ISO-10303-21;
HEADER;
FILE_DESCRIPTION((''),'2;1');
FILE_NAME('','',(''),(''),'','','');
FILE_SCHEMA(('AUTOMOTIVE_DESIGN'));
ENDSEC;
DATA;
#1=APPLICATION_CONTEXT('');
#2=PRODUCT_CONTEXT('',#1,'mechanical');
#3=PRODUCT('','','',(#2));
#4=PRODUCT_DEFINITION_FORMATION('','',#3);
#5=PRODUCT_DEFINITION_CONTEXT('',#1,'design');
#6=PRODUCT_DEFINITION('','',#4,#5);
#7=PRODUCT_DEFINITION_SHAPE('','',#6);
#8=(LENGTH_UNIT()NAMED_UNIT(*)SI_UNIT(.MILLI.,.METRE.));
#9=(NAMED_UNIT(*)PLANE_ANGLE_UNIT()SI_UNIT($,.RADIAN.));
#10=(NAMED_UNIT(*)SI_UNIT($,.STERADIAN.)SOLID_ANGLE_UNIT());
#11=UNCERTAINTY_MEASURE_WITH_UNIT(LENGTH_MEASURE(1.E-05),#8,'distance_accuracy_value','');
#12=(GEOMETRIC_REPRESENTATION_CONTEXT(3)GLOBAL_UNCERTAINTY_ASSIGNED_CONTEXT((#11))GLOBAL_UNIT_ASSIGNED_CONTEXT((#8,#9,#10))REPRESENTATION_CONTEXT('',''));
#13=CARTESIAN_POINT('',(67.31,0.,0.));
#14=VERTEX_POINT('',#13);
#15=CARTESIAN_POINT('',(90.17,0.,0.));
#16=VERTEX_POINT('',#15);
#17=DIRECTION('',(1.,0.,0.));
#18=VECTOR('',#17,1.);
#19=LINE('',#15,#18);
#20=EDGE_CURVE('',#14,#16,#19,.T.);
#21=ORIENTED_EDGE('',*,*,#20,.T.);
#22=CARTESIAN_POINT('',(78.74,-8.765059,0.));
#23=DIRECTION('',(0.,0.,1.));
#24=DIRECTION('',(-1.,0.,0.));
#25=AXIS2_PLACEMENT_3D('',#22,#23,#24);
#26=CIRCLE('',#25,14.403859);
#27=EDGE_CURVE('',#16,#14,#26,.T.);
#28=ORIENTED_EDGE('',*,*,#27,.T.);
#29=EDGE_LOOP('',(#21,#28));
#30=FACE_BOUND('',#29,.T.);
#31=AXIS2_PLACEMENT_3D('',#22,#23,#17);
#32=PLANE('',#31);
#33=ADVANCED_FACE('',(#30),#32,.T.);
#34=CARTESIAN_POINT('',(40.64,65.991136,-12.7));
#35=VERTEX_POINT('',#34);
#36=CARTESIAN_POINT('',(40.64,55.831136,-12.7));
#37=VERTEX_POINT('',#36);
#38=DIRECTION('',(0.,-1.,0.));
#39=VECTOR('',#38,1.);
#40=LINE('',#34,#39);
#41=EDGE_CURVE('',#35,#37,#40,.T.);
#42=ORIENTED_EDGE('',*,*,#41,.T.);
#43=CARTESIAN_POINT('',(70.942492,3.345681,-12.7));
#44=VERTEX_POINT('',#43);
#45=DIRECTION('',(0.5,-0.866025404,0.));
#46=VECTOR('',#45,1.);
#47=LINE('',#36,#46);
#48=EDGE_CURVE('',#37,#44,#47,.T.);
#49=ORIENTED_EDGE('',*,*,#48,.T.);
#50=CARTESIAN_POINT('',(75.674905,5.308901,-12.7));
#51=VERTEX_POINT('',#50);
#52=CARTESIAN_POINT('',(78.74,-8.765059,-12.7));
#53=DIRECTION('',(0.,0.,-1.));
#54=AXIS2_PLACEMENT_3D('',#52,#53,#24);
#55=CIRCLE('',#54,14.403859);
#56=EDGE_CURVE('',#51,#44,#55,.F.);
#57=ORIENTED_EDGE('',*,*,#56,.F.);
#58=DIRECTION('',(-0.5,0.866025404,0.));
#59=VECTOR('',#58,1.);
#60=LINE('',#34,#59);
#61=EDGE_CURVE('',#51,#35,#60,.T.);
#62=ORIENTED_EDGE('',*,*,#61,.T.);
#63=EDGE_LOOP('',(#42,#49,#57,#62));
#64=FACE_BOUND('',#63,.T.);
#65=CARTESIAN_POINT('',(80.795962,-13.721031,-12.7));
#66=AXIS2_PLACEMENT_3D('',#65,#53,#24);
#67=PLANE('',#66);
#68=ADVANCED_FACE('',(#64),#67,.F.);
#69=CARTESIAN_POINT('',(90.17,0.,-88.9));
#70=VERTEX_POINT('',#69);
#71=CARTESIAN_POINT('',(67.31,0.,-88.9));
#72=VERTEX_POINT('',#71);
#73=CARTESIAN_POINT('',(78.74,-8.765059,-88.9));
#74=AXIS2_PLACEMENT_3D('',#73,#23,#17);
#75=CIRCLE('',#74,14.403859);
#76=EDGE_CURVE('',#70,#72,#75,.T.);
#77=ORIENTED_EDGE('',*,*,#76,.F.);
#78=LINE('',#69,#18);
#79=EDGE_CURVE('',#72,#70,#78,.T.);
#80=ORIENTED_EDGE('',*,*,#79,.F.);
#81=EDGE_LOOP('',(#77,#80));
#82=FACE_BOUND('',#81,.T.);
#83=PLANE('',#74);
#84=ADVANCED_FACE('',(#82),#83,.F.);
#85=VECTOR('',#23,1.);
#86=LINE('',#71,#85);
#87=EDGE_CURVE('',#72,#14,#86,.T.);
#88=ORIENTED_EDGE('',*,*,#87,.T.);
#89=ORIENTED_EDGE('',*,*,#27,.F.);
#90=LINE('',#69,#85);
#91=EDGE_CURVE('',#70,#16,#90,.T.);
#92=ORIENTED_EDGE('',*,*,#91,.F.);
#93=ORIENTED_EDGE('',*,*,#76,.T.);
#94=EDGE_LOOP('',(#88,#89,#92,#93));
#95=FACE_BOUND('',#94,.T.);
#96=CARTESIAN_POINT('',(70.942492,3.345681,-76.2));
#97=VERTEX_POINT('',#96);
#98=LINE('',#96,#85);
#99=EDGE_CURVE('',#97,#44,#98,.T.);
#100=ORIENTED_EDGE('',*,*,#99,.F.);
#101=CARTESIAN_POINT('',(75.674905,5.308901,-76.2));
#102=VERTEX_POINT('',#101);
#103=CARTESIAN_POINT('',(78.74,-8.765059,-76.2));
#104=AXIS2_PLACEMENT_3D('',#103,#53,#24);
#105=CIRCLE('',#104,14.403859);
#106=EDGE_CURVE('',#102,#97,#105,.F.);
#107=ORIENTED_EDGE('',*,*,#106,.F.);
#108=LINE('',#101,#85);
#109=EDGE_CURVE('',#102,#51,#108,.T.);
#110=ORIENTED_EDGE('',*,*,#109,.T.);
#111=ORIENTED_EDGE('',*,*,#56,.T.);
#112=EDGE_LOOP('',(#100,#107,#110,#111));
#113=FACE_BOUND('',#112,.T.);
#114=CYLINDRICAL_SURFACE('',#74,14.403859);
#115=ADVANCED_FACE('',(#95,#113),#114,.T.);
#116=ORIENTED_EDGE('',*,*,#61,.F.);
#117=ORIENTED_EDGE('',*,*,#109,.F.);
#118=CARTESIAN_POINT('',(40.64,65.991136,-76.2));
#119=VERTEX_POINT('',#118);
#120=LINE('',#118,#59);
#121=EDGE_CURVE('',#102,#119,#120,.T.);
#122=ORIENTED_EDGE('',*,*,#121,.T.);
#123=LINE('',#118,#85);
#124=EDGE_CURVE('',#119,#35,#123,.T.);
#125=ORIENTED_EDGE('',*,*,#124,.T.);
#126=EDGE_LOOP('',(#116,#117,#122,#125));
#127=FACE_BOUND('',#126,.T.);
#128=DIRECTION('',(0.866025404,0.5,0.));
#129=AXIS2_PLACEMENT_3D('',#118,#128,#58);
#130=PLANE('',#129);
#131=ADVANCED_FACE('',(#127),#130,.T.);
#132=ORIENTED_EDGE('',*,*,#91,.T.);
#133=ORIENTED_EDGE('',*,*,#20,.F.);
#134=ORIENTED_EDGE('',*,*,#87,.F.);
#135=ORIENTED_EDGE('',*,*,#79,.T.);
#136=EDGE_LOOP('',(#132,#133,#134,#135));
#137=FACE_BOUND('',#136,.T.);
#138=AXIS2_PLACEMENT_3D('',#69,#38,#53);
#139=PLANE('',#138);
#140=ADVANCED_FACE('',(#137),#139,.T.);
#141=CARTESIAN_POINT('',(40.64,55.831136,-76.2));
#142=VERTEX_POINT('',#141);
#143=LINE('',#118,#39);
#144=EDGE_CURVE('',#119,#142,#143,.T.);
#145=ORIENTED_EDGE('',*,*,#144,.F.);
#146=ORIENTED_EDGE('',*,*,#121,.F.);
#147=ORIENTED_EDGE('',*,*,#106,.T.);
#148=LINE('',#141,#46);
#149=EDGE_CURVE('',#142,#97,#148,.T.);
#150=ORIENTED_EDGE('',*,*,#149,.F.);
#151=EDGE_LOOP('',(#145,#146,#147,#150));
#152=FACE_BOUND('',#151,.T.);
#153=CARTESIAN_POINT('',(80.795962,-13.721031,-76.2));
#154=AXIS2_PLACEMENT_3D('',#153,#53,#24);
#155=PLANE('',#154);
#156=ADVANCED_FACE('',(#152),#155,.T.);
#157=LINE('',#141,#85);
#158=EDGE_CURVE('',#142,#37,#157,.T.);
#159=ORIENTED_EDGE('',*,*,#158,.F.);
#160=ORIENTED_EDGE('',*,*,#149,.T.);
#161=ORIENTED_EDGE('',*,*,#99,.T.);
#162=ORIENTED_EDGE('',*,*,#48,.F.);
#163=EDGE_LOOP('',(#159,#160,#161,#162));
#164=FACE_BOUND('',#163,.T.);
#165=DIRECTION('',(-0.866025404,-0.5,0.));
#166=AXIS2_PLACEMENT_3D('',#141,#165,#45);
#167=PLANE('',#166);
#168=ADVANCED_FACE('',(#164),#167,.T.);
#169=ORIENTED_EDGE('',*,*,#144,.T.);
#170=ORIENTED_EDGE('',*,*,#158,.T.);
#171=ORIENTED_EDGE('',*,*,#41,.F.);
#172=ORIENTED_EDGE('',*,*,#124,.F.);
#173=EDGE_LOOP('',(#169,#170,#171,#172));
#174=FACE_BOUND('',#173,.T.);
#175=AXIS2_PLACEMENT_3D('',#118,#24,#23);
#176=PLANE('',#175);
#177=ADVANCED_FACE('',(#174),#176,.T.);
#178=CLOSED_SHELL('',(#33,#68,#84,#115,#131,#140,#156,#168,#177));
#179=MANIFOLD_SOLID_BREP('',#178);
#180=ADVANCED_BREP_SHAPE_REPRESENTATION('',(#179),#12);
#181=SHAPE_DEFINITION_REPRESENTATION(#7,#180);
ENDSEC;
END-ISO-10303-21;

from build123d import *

# Parameters (mm, degrees)
BOSS_EXTRUDE1_DEPTH      = 88.9
BOSS_EXTRUDE2_DEPTH      = 31.75
BOSS_EXTRUDE2_DEPTH_BACK = 31.75


with BuildPart() as part:
    # Sketch2 → Boss-Extrude1 (new body)
    with BuildSketch(Plane.XY):
        with BuildLine():
            Line((90.17, 0), (67.31, 0))
            ThreePointArc((67.31, 0), (72.367383476, 4.152406467), (78.74, 5.6388))
            ThreePointArc((78.74, 5.6388), (85.112616524, 4.152406467), (90.17, 0))
        make_face()
    extrude(amount=-BOSS_EXTRUDE1_DEPTH)

    # Sketch3 → Boss-Extrude2 (add, two sides)
    with BuildSketch(Plane.XY.offset(-44.45)) as boss_extrude2_sk:
        with BuildLine():
            Line((40.64, 65.991135768), (75.674904681, 5.308900822))
            ThreePointArc((75.674904681, 5.308900822), (73.244625787, 4.48173949), (70.942491559, 3.345680792))
            Line((70.942491559, 3.345680792), (40.64, 55.831135768))
            Line((40.64, 55.831135768), (40.64, 65.991135768))
        make_face()
    extrude(amount=BOSS_EXTRUDE2_DEPTH)
    extrude(boss_extrude2_sk.sketch, amount=-BOSS_EXTRUDE2_DEPTH_BACK)


solid = part.part
